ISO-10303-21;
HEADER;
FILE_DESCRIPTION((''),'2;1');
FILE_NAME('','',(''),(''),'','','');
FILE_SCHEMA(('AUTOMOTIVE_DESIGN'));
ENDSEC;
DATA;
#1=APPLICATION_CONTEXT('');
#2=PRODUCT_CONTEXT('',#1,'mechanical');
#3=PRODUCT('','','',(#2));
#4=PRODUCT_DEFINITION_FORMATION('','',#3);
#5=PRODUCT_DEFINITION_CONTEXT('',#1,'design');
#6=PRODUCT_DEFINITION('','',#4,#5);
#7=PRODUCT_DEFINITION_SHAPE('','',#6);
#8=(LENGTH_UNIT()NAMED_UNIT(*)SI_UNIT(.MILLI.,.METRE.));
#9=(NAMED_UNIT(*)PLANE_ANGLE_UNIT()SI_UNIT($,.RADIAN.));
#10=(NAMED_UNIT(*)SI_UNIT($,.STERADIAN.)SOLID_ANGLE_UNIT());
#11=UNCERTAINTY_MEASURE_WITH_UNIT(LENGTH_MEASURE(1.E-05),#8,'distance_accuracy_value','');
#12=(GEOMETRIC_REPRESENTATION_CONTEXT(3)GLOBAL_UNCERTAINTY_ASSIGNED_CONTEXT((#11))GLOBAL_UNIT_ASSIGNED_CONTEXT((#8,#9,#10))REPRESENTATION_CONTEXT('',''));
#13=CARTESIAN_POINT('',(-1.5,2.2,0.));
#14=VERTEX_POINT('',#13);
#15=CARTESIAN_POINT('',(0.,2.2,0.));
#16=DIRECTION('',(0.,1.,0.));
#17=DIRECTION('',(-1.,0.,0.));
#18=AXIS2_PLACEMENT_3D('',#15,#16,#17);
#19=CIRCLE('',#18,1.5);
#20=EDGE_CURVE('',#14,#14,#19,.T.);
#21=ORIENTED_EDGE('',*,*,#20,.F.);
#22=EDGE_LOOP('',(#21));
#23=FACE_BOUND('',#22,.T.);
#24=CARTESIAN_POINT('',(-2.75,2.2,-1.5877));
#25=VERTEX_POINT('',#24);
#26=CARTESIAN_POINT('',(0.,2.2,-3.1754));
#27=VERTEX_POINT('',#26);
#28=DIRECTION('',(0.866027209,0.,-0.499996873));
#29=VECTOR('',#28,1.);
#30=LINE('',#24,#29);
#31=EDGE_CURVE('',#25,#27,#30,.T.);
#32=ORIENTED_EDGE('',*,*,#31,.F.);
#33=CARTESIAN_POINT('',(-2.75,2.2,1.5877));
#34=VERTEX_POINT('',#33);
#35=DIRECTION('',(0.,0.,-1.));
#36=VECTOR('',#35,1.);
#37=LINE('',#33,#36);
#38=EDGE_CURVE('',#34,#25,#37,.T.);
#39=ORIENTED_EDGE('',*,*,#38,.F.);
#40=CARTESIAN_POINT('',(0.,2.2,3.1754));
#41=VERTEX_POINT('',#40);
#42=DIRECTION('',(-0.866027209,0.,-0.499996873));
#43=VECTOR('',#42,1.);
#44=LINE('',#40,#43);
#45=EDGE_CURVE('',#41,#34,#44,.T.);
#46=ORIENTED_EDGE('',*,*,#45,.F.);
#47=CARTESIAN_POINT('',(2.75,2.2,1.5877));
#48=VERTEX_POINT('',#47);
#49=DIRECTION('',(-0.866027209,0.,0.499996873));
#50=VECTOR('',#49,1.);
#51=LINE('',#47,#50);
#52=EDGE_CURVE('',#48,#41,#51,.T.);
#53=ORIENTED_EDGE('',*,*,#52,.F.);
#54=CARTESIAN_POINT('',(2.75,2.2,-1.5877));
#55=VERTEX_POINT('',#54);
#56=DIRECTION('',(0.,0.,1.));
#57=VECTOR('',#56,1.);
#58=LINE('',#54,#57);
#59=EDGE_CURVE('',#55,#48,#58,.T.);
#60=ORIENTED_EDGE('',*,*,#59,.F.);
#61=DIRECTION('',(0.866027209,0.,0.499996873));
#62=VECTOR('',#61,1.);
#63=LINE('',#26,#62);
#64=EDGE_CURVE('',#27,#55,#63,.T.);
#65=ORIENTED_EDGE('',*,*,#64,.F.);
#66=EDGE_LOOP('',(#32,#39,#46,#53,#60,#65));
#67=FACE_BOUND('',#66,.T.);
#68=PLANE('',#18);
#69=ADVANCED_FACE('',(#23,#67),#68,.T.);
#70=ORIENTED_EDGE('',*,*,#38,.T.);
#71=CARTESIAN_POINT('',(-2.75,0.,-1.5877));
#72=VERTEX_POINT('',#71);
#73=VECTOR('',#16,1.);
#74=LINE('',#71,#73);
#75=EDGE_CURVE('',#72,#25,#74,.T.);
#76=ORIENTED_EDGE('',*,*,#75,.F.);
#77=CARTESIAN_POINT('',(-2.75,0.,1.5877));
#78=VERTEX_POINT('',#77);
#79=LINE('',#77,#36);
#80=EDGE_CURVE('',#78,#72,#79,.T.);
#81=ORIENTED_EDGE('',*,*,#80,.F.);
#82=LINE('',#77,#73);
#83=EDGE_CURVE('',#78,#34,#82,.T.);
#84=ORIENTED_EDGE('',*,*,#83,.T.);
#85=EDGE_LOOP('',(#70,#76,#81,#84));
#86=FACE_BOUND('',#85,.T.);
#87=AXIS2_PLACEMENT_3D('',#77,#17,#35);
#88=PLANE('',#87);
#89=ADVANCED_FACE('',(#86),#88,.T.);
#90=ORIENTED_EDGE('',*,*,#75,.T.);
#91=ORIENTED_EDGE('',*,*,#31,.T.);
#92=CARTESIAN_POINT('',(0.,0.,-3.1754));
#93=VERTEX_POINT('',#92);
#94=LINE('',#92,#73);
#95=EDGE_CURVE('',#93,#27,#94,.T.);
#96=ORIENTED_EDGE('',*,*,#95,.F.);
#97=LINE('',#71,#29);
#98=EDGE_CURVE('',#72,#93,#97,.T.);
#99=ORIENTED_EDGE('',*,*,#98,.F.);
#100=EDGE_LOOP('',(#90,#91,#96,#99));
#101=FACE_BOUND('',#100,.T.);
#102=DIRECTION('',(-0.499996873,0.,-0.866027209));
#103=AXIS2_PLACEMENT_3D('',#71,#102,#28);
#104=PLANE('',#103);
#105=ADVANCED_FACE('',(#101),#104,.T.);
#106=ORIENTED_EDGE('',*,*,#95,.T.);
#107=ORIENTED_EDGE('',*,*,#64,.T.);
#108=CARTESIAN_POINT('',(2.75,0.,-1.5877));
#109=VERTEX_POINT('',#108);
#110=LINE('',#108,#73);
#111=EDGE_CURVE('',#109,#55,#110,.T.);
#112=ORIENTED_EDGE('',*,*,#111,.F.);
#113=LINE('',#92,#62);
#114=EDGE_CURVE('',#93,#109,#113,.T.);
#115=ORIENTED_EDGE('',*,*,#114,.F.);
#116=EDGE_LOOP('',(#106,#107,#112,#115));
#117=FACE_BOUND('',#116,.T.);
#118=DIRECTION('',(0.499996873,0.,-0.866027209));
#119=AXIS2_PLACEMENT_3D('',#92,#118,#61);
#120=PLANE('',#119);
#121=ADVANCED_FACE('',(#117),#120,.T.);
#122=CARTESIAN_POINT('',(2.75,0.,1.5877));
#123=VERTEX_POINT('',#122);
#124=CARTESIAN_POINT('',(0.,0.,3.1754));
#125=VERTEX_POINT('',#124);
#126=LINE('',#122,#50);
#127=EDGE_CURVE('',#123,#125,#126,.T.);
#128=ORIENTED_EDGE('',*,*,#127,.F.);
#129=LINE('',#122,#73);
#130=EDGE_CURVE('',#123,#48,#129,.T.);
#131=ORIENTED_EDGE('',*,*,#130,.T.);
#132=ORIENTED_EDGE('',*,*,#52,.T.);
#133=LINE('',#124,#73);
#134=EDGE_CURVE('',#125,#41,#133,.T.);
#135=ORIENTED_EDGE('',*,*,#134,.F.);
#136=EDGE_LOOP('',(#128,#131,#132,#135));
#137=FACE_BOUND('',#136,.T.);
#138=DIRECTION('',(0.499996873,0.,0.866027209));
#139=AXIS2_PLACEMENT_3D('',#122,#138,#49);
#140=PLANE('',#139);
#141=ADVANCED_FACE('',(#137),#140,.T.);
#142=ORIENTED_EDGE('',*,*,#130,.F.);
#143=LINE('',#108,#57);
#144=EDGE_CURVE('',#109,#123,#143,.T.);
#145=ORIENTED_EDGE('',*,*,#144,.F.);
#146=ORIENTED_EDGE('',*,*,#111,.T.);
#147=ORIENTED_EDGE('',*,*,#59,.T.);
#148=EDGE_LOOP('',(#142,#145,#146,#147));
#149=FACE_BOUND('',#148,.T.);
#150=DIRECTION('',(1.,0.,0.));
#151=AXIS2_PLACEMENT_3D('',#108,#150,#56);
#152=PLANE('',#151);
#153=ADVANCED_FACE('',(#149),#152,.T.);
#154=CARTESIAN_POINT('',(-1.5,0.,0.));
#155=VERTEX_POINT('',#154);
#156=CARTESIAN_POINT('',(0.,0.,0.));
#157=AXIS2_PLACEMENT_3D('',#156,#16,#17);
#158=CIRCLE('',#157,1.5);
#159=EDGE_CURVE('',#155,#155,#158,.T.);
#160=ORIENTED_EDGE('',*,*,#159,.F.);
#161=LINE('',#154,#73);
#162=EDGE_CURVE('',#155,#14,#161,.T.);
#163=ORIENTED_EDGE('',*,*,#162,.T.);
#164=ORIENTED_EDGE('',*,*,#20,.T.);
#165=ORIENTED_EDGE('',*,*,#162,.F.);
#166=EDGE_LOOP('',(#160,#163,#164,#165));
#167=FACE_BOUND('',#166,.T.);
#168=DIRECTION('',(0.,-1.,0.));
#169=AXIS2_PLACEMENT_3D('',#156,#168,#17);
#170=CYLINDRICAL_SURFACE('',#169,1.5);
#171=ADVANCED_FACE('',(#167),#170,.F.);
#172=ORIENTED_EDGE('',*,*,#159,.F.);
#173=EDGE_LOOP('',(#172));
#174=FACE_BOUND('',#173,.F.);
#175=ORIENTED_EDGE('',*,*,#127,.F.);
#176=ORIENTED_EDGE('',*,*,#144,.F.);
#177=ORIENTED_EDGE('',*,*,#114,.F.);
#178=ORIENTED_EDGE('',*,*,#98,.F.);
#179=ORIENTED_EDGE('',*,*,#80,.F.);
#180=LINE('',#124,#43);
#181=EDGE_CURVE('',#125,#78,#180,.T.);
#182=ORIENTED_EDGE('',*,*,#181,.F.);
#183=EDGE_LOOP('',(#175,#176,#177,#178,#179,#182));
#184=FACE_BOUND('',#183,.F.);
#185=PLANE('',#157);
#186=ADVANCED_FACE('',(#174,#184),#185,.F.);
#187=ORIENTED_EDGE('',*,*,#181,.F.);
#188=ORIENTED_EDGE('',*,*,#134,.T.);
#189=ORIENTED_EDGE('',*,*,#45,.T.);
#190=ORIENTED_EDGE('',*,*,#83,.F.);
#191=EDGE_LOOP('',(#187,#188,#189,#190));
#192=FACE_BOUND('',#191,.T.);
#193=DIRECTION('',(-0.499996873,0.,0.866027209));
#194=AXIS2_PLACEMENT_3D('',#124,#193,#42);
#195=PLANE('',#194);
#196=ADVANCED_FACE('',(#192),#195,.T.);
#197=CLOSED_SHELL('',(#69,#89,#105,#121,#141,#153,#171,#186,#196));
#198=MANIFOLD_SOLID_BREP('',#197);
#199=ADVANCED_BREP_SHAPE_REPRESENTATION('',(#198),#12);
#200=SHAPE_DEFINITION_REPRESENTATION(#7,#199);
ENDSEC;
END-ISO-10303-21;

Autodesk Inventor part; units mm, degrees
ref_plane "YZ Plane" through (0, 0, 0) normal (1, 0, 0) x (0, 1, 0)
ref_plane "XZ Plane" through (0, 0, 0) normal (0, 1, 0) x (-1, 0, 0)
ref_plane "XY Plane" through (0, 0, 0) normal (0, 0, 1) x (1, 0, 0)
sketch "Sketch1" plane through (0, 0, 0) normal (0, 1, 0) x (-1, 0, 0)
  line L0 (0, 3.1754) -> (2.75, 1.5877)
  line L1 (2.75, 1.5877) -> (2.75, -1.5877)
  line L2 (2.75, -1.5877) -> (0, -3.1754)
  line L3 (0, -3.1754) -> (-2.75, -1.5877)
  line L4 (-2.75, -1.5877) -> (-2.75, 1.5877)
  line L5 (-2.75, 1.5877) -> (0, 3.1754)
  circle A0 centre (0, 0) radius 1.5
  point P0 (2.75, 0)
  dimension "d0" = 5.5
  dimension "d1" = 3
extrude "Extrusion1" add sketch "Sketch1" along normal blind 2.2
properties part number "Tuerca_M3" material "Stainless Steel"
